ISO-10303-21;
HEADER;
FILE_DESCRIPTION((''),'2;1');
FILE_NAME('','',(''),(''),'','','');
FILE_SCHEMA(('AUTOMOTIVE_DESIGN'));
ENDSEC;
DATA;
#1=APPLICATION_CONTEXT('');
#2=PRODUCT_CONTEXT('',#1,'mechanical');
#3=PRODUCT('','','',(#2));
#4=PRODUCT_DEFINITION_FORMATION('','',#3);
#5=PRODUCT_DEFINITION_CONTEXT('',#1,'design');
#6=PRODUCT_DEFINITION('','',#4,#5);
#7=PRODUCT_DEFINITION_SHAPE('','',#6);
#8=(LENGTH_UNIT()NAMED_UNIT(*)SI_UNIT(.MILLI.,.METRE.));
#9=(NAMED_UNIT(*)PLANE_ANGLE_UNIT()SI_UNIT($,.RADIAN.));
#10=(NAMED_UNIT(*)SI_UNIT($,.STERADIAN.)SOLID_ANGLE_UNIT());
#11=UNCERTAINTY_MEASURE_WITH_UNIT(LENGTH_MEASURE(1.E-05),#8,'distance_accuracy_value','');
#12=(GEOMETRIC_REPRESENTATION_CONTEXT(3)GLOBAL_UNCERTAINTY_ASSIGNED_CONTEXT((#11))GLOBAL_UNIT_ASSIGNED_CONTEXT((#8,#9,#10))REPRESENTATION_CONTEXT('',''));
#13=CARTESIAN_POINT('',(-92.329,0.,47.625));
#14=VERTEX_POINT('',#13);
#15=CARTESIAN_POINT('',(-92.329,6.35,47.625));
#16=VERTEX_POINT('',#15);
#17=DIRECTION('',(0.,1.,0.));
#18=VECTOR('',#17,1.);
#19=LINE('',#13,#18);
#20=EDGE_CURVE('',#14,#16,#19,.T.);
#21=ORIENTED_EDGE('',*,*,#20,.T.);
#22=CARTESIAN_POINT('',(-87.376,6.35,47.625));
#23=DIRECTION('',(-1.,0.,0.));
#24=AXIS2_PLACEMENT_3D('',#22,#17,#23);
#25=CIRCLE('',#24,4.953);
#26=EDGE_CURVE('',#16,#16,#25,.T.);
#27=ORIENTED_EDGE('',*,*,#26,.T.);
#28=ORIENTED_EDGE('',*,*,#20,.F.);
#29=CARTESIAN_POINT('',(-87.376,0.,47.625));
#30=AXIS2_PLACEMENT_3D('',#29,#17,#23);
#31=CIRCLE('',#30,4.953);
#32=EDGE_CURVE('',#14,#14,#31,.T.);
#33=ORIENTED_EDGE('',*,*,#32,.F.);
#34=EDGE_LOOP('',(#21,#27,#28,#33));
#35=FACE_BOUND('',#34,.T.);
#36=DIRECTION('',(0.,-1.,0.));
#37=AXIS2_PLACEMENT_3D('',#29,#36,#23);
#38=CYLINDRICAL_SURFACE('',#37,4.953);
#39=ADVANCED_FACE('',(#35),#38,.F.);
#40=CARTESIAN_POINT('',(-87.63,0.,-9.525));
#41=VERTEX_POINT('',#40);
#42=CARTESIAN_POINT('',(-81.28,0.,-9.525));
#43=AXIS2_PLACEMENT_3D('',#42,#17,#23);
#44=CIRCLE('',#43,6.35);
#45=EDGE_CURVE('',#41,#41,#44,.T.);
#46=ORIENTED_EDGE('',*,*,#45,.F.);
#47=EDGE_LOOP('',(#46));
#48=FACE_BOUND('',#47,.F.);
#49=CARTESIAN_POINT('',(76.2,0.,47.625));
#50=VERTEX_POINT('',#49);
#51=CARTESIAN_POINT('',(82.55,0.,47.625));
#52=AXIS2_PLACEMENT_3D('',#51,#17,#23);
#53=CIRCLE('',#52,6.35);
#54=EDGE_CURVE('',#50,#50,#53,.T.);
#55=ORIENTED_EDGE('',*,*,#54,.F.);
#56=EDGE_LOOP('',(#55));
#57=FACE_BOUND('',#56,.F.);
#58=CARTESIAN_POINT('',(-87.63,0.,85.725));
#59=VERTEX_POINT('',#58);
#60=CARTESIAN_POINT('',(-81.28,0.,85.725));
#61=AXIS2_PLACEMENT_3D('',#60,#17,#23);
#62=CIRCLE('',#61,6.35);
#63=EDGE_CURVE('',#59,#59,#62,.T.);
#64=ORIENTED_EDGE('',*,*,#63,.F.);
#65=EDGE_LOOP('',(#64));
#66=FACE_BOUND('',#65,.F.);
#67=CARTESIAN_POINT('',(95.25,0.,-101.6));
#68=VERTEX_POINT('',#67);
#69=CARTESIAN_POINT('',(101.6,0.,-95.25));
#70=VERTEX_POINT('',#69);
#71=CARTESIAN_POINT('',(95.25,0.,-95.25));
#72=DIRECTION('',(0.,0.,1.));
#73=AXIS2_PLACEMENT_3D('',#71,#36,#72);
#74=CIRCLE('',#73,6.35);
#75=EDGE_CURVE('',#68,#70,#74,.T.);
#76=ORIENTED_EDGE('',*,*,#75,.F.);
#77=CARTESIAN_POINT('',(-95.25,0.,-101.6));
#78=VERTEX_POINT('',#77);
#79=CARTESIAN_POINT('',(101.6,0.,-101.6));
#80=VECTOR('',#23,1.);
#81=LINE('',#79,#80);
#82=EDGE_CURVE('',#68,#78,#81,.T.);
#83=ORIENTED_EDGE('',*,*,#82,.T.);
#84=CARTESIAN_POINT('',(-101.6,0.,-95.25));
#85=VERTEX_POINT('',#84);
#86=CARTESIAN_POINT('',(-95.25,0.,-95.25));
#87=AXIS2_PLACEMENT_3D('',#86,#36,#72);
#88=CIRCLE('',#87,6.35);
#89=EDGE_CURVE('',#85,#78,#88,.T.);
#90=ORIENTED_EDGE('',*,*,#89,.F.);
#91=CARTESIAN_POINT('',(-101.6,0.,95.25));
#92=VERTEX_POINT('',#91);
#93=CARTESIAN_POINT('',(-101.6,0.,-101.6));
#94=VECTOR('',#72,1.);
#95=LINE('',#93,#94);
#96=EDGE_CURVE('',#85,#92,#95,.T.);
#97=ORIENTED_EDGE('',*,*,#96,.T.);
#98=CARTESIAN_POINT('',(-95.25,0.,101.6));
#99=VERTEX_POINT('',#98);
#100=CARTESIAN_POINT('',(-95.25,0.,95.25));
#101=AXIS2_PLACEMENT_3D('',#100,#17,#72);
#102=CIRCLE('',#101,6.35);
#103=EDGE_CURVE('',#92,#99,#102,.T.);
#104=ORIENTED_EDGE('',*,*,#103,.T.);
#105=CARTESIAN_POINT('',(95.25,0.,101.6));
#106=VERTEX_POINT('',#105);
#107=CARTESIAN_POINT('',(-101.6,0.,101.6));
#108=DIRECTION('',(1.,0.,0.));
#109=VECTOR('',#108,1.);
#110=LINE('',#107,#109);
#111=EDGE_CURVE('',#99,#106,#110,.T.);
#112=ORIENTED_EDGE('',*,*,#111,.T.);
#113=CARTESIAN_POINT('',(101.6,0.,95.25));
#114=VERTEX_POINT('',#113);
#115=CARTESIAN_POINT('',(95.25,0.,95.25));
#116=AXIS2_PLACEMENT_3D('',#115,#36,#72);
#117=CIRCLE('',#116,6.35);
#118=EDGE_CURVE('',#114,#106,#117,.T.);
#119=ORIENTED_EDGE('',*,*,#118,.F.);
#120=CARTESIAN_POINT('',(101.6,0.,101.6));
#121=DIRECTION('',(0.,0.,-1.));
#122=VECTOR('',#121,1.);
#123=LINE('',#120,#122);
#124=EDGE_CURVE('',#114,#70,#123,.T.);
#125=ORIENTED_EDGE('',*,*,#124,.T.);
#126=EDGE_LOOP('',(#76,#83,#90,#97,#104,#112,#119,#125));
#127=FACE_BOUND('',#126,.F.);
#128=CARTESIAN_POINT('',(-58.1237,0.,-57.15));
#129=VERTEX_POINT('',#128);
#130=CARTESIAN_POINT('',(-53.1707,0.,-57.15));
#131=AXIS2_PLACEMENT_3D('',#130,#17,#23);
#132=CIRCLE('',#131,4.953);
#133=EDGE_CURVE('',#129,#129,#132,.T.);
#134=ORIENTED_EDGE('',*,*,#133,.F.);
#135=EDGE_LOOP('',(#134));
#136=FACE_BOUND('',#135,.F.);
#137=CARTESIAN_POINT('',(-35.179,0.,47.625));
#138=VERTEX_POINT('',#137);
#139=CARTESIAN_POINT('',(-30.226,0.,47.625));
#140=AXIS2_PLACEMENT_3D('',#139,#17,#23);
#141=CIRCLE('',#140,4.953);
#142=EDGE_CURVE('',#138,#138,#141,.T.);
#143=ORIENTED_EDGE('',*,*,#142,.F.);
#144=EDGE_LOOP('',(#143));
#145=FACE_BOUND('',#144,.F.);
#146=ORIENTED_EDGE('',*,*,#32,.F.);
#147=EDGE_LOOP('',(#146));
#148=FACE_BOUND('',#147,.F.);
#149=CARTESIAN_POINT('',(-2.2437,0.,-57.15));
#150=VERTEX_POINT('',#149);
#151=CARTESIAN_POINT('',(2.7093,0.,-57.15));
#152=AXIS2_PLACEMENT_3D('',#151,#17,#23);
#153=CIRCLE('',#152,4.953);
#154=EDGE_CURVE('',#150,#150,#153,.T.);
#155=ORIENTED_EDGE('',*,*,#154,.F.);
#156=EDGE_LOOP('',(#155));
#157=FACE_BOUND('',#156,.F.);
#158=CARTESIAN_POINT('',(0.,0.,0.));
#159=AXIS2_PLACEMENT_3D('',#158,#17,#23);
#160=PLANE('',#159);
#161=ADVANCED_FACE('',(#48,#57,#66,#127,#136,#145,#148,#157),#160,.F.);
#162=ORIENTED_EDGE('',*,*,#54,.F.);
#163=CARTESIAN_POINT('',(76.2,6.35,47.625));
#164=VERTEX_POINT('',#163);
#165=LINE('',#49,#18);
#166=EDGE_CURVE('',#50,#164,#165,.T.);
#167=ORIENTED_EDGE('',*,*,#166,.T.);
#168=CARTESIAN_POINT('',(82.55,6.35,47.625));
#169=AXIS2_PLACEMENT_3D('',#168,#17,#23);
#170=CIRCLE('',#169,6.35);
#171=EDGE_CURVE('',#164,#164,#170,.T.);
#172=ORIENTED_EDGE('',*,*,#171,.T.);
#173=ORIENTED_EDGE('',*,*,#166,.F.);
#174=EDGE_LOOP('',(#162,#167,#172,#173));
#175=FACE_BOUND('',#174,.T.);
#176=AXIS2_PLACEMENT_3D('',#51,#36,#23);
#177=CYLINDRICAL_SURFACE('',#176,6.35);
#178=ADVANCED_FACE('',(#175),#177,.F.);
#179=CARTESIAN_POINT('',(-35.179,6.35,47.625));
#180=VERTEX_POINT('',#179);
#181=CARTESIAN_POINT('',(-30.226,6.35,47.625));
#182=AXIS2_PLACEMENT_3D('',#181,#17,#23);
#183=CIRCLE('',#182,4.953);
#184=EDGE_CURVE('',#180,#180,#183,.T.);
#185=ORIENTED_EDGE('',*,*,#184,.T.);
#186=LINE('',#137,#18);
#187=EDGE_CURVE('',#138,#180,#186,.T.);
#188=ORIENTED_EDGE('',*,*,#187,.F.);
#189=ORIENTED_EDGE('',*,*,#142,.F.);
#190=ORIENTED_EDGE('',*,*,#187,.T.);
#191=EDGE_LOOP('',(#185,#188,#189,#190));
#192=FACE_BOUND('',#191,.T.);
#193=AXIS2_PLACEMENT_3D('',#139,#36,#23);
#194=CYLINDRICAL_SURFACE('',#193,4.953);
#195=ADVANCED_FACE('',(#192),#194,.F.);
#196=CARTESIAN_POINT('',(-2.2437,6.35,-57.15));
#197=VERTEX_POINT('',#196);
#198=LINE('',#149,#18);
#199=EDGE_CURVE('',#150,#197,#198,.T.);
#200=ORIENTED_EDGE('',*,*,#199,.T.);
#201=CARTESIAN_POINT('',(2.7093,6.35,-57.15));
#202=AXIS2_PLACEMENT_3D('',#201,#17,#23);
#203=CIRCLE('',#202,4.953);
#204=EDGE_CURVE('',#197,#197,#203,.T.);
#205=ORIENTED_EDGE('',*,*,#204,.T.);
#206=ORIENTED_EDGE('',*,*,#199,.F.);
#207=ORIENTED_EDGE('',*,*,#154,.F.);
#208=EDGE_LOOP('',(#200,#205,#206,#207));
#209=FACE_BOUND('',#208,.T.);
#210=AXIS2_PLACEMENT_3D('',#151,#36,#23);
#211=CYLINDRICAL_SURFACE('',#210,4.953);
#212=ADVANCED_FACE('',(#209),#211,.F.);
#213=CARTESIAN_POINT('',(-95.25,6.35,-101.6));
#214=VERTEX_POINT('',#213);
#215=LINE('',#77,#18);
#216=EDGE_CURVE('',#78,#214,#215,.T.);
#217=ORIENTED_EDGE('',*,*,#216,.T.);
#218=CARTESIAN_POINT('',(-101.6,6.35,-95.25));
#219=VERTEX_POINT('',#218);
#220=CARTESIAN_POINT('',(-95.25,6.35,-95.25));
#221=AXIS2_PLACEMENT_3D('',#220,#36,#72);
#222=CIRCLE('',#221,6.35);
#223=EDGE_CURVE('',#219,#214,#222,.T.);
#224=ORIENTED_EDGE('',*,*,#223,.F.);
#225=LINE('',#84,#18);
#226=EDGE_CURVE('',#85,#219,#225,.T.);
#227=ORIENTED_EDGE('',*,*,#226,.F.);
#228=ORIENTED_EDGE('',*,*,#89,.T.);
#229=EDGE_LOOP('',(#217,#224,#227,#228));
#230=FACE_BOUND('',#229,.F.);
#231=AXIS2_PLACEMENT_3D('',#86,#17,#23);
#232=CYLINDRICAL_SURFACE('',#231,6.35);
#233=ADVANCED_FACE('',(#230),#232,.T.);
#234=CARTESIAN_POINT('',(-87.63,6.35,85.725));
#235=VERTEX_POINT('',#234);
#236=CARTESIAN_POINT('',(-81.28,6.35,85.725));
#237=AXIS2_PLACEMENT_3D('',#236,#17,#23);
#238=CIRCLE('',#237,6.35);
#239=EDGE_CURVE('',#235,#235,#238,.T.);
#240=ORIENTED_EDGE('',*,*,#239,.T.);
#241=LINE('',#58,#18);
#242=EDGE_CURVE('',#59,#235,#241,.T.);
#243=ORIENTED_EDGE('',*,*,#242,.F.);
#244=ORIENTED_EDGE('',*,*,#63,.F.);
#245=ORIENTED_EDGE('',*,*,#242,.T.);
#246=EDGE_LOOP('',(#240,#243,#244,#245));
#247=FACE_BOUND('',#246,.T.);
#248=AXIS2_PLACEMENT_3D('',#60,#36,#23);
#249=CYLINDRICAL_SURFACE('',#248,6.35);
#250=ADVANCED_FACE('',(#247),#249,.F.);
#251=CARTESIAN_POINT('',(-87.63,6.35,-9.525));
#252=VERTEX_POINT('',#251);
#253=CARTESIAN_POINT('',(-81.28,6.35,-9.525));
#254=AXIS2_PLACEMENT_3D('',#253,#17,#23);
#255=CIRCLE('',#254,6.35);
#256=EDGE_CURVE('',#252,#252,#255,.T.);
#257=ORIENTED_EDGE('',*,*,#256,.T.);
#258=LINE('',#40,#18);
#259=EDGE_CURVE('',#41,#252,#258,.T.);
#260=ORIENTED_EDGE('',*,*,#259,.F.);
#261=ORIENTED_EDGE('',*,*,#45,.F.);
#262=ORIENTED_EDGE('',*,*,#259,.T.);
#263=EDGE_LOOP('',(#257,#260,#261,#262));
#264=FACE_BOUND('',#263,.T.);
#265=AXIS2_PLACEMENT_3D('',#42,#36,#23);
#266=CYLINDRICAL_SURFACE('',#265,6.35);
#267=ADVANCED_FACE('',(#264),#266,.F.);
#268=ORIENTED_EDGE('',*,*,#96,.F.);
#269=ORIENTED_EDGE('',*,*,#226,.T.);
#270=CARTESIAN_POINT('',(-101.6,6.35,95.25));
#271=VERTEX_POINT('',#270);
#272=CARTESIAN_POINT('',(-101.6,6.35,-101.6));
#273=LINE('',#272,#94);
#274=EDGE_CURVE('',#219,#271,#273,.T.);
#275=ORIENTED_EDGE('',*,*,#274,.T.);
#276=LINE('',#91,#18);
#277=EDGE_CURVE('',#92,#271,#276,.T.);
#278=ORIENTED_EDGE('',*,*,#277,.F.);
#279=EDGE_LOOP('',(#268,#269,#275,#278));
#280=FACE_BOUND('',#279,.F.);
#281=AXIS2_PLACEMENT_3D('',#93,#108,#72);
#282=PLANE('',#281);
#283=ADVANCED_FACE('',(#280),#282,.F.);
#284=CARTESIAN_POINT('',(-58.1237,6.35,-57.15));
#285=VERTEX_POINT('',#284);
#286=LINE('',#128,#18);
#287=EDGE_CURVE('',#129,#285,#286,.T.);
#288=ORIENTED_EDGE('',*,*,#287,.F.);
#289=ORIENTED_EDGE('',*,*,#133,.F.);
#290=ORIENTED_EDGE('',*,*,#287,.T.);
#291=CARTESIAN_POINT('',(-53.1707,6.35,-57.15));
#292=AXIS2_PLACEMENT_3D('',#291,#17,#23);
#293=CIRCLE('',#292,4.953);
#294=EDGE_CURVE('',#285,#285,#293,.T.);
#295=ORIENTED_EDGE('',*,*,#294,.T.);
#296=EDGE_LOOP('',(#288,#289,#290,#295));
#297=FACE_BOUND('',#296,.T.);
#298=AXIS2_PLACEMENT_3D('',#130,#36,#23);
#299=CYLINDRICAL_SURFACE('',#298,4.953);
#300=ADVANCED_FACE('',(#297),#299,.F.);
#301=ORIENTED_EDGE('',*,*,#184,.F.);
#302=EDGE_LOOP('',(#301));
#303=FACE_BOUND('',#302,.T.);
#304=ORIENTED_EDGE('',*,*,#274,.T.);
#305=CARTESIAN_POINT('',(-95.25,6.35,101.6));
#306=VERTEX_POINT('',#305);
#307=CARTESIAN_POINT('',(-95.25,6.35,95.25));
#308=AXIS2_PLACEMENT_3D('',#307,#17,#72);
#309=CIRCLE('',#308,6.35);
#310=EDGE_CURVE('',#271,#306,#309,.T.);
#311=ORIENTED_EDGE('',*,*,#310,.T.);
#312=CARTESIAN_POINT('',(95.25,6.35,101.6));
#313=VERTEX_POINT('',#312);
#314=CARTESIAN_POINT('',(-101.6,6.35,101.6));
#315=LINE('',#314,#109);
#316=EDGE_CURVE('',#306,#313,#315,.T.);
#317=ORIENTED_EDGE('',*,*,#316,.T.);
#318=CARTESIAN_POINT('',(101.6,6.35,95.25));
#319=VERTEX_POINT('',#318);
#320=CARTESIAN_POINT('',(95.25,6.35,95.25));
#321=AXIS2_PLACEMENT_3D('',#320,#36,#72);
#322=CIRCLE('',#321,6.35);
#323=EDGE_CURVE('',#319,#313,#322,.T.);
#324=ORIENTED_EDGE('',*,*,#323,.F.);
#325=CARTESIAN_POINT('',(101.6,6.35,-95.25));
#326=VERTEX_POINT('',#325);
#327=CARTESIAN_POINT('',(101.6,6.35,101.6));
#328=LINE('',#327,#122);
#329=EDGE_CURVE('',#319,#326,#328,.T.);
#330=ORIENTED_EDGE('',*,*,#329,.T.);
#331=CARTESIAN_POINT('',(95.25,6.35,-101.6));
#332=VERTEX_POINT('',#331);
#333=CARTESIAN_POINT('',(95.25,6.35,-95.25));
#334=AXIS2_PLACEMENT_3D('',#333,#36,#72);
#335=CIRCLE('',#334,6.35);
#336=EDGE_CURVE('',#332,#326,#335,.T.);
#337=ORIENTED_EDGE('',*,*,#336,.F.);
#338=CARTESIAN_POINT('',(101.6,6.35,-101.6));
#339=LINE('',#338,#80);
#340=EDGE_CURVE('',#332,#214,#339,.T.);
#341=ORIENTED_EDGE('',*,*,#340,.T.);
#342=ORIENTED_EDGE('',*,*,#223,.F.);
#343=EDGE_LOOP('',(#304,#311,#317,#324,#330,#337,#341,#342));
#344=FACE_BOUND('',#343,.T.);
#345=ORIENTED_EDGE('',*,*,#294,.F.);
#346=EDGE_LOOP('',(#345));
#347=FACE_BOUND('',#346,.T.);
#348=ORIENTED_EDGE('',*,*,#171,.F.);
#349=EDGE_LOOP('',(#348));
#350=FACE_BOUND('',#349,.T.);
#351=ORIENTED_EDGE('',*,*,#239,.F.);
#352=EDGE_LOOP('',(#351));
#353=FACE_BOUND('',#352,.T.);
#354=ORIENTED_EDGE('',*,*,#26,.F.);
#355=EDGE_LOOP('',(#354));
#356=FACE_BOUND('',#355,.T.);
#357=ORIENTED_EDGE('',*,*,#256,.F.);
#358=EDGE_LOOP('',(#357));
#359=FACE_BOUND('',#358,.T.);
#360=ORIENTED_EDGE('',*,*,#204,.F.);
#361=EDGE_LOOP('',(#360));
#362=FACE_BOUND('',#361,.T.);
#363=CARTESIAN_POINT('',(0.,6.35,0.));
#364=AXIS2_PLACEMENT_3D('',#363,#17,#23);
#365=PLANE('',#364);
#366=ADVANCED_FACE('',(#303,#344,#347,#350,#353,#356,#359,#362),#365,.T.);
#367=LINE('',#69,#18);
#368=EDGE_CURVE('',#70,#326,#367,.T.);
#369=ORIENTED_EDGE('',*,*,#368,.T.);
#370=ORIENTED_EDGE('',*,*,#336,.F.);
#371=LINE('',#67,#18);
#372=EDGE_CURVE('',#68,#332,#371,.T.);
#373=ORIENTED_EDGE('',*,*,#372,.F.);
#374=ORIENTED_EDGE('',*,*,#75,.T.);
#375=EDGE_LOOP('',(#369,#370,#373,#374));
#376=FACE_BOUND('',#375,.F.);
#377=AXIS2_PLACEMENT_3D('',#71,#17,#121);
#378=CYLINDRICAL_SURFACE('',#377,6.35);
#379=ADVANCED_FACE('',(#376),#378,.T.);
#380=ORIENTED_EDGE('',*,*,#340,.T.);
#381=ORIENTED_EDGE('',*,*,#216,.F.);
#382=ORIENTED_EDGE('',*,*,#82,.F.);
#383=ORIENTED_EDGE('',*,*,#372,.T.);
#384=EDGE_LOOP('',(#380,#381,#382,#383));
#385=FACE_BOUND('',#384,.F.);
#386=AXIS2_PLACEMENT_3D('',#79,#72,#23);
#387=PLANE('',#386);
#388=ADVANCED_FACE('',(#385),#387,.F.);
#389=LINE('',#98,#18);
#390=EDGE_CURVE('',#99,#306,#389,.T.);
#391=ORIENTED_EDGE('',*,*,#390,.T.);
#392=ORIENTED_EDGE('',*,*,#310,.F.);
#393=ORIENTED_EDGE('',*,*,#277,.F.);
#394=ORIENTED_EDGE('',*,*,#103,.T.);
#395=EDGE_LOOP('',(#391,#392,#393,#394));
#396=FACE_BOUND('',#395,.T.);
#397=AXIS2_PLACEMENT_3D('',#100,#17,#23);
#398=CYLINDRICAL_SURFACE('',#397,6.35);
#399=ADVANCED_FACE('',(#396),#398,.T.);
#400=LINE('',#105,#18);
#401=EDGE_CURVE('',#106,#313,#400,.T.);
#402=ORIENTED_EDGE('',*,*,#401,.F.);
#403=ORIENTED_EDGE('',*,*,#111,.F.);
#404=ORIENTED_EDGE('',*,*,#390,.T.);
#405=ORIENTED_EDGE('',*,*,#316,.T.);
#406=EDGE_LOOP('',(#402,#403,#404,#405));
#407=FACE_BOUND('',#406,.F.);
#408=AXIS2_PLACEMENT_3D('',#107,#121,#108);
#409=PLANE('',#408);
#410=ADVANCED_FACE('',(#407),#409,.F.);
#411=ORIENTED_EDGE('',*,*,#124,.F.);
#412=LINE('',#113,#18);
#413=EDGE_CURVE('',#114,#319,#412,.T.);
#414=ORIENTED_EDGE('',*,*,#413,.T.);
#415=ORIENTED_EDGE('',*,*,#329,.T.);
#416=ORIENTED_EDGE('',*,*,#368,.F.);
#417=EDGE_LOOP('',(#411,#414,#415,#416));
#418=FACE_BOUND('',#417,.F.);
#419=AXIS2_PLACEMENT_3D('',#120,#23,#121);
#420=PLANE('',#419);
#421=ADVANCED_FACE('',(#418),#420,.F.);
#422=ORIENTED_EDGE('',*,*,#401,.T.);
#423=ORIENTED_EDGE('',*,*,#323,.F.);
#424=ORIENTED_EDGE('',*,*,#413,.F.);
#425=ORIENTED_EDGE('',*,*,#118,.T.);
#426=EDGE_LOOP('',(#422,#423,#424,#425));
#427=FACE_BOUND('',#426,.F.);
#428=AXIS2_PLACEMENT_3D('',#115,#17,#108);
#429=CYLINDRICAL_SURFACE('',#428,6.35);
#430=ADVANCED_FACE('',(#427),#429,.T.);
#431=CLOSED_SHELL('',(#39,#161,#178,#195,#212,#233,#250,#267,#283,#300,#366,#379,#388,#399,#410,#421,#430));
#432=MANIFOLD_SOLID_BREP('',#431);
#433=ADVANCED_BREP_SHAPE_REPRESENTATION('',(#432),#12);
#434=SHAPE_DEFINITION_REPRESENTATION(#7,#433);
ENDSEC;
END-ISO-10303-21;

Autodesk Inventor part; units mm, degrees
ref_plane "YZ Plane" through (0, 0, 0) normal (1, 0, 0) x (0, 1, 0)
ref_plane "XZ Plane" through (0, 0, 0) normal (0, 1, 0) x (-1, 0, 0)
ref_plane "XY Plane" through (0, 0, 0) normal (0, 0, 1) x (1, 0, 0)
sketch "Sketch1" plane through (0, 0, 0) normal (0, 1, 0) x (-1, 0, 0)
  line L0 (101.6, 101.6) -> (-101.6, 101.6)
  line L1 (-101.6, 101.6) -> (-101.6, -101.6)
  line L2 (-101.6, -101.6) -> (101.6, -101.6)
  line L3 (101.6, -101.6) -> (101.6, 101.6)
  circle A0 centre (81.28, 85.725) radius 6.35
  circle A1 centre (81.28, -9.525) radius 6.35
  circle A2 centre (-82.55, 47.625) radius 6.35
  circle A3 centre (53.1707, -57.15) radius 4.953
  circle A4 centre (-2.7093, -57.15) radius 4.953
  circle A5 centre (87.376, 47.625) radius 4.953
  circle A6 centre (30.226, 47.625) radius 4.953
  point P0 (0, 0)
  dimension "d0" = 203.2
  dimension "d1" = 203.2
  dimension "d2" = 12.7
  dimension "d3" = 15.875
  dimension "d4" = 20.32
  dimension "d6" = 95.25
  dimension "d7" = 12.7
  dimension "d8" = 19.05
  dimension "d9" = 53.975
  dimension "d10" = 9.906
  dimension "d11" = 44.45
  dimension "d12" = 55.88
  dimension "d13" = 9.906
  dimension "d14" = 9.906
  dimension "d15" = 14.224
  dimension "d16" = 9.906
  dimension "d17" = 57.15
extrude "Extrusion1" add sketch "Sketch1" along normal blind 6.35
fillet "Fillet1" radius 6.35 4 edges at (-101.6, 3.175, 101.6) (101.6, 3.175, 101.6) (101.6, 3.175, -101.6) (-101.6, 3.175, -101.6)
properties part number "Nissan_Moter_Mount_Passenger"
